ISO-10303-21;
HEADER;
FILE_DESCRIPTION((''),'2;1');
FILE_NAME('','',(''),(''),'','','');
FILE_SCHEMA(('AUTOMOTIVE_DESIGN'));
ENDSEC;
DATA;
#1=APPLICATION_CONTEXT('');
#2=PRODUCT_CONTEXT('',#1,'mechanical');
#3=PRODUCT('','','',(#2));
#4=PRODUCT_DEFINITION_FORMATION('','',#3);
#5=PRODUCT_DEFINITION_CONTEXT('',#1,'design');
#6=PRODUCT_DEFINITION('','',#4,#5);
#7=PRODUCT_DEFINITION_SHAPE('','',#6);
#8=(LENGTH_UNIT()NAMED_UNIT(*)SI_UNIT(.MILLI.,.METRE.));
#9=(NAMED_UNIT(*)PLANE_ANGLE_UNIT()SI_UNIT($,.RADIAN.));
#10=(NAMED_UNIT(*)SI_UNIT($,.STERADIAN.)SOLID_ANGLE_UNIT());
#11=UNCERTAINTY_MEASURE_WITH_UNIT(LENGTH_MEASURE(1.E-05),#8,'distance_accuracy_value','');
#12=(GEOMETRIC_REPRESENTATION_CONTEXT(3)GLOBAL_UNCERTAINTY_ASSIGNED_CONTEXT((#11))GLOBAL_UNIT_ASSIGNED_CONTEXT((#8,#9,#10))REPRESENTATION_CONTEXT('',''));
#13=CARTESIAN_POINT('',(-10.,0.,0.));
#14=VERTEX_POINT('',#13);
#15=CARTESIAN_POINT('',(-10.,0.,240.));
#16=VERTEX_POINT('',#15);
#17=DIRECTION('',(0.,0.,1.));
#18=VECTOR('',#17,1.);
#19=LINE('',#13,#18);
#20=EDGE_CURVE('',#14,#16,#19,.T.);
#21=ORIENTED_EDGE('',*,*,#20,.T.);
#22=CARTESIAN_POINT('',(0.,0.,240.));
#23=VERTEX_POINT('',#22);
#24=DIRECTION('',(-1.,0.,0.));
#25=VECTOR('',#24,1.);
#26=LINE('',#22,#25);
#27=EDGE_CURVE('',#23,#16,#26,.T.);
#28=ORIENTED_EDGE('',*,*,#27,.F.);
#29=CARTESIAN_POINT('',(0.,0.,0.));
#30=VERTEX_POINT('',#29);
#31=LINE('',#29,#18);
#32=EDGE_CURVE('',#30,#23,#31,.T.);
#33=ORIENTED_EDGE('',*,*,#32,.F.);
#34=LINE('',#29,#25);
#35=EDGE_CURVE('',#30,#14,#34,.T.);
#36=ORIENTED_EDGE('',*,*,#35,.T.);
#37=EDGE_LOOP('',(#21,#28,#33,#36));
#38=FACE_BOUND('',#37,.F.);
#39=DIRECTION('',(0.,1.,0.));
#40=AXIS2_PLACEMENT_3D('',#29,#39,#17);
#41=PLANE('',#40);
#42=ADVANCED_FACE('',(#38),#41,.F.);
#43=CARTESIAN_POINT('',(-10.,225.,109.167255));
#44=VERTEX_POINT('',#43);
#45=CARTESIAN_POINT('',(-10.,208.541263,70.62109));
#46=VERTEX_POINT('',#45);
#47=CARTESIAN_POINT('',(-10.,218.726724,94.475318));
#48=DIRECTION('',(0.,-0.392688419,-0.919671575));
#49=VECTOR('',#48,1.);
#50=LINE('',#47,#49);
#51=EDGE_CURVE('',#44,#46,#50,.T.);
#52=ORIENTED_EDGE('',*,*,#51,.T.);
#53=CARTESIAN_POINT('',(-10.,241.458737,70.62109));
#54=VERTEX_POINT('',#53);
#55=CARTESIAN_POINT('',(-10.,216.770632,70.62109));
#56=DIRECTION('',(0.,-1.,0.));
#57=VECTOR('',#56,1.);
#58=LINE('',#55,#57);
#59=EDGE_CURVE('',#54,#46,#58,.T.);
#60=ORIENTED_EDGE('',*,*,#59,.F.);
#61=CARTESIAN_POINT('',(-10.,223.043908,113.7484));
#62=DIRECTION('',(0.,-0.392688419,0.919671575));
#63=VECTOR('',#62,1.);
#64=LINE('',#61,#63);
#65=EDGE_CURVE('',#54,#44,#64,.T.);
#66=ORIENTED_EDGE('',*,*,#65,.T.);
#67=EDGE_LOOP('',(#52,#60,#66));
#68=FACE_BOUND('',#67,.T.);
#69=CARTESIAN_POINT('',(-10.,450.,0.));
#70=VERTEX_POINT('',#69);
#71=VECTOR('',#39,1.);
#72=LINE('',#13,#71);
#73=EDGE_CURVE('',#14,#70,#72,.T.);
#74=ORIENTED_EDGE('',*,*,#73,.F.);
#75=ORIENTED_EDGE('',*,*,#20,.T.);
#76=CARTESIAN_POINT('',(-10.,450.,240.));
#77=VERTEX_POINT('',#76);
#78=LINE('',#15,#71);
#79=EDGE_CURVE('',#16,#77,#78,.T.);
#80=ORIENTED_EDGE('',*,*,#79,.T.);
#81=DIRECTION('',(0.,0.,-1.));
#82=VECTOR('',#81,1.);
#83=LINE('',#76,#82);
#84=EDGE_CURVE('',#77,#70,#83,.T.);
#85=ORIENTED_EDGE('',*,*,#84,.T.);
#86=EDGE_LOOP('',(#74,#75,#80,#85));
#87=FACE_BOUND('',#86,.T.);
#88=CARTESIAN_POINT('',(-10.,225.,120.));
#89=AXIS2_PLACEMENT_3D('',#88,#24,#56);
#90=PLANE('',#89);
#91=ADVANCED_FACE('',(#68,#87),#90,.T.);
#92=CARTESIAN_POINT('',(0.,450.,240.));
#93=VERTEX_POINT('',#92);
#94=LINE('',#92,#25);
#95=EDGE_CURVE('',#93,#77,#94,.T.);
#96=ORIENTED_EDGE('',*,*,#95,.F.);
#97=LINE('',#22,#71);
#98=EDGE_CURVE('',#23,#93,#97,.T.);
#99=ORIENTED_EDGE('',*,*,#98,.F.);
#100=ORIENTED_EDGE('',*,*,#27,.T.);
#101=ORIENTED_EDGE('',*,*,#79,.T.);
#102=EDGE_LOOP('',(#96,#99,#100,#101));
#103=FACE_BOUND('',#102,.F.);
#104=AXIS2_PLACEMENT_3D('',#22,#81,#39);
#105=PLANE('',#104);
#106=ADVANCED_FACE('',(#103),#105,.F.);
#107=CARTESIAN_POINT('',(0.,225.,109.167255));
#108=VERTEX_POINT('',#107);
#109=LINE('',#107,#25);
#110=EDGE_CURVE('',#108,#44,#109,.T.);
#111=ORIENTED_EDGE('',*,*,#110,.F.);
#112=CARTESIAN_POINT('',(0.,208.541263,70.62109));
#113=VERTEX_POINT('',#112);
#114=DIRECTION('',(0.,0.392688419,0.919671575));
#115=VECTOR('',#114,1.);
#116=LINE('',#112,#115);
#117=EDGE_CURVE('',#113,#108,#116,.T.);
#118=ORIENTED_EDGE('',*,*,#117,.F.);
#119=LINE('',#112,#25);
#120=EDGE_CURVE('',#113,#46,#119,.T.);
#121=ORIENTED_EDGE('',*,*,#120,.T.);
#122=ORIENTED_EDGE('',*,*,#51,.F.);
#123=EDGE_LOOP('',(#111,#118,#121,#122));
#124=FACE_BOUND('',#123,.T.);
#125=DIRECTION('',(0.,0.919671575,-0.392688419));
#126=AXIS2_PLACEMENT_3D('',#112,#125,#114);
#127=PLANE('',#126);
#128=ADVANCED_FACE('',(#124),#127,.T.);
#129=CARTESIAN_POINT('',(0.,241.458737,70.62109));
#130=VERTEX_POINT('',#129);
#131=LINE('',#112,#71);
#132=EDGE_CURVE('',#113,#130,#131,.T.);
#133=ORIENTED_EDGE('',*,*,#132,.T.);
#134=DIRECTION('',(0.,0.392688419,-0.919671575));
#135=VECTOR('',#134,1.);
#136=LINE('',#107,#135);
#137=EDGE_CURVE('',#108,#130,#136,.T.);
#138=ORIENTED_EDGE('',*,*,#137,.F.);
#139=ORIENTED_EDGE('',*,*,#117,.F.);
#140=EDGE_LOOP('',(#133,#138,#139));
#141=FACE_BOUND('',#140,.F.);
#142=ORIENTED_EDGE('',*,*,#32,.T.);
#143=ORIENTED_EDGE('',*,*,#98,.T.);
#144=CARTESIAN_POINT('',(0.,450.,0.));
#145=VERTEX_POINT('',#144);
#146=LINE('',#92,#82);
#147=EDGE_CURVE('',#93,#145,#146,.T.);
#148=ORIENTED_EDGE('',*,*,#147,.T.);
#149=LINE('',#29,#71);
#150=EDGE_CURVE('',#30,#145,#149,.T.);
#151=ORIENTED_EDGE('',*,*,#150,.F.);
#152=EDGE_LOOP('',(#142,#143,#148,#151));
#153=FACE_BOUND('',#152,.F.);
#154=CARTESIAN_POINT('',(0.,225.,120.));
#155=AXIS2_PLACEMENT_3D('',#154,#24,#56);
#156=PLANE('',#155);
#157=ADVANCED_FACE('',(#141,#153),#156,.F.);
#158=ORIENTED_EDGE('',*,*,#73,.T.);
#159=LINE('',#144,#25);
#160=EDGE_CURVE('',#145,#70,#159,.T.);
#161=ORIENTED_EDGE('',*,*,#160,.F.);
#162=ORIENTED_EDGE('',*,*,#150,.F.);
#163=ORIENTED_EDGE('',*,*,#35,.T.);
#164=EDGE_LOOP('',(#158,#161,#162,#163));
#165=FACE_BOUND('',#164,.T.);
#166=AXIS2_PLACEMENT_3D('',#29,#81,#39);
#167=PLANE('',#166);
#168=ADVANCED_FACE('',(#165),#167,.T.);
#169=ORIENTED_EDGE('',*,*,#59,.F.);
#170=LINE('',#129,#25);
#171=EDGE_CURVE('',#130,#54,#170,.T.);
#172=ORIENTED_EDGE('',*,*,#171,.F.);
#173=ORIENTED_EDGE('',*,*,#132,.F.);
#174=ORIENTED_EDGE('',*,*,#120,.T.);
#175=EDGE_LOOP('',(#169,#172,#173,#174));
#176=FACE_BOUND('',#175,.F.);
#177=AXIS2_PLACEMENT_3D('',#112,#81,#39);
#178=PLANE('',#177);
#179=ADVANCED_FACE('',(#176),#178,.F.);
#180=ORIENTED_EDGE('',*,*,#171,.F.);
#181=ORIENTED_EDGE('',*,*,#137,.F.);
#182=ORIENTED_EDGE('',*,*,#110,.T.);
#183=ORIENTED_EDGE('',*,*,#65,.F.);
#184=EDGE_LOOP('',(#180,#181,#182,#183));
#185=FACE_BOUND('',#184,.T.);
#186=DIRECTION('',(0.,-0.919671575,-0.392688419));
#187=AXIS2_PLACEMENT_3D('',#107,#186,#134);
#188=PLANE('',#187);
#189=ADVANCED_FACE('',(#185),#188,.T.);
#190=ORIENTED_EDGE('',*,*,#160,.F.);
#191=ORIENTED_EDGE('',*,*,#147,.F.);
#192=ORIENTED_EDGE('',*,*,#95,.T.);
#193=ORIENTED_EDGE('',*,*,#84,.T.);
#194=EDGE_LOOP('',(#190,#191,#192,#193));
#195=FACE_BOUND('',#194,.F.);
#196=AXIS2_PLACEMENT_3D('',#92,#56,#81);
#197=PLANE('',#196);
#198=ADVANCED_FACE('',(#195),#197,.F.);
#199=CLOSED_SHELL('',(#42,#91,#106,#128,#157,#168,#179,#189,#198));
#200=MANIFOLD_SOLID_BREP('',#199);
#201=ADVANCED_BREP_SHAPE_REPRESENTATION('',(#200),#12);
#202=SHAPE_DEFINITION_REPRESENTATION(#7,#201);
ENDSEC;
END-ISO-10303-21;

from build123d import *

# Parameters (mm, degrees)
PAD_DEPTH    = 10
POCKET_DEPTH = 10.001


with BuildPart() as part:
    # Sketch → Pad (new body)
    with BuildSketch(Plane.YZ):
        Polygon((0, 0), (0, 240), (450, 240), (450, 0), (225, 0), align=None)
    extrude(amount=-PAD_DEPTH)

    # Sketch001 → Pocket (cut, through all)
    with BuildSketch(Plane.YZ):
        Polygon((225, 70.62109), (208.541263, 70.62109), (225, 109.167255), (241.458737, 70.62109), align=None)
    extrude(amount=-POCKET_DEPTH, mode=Mode.SUBTRACT)


solid = part.part
